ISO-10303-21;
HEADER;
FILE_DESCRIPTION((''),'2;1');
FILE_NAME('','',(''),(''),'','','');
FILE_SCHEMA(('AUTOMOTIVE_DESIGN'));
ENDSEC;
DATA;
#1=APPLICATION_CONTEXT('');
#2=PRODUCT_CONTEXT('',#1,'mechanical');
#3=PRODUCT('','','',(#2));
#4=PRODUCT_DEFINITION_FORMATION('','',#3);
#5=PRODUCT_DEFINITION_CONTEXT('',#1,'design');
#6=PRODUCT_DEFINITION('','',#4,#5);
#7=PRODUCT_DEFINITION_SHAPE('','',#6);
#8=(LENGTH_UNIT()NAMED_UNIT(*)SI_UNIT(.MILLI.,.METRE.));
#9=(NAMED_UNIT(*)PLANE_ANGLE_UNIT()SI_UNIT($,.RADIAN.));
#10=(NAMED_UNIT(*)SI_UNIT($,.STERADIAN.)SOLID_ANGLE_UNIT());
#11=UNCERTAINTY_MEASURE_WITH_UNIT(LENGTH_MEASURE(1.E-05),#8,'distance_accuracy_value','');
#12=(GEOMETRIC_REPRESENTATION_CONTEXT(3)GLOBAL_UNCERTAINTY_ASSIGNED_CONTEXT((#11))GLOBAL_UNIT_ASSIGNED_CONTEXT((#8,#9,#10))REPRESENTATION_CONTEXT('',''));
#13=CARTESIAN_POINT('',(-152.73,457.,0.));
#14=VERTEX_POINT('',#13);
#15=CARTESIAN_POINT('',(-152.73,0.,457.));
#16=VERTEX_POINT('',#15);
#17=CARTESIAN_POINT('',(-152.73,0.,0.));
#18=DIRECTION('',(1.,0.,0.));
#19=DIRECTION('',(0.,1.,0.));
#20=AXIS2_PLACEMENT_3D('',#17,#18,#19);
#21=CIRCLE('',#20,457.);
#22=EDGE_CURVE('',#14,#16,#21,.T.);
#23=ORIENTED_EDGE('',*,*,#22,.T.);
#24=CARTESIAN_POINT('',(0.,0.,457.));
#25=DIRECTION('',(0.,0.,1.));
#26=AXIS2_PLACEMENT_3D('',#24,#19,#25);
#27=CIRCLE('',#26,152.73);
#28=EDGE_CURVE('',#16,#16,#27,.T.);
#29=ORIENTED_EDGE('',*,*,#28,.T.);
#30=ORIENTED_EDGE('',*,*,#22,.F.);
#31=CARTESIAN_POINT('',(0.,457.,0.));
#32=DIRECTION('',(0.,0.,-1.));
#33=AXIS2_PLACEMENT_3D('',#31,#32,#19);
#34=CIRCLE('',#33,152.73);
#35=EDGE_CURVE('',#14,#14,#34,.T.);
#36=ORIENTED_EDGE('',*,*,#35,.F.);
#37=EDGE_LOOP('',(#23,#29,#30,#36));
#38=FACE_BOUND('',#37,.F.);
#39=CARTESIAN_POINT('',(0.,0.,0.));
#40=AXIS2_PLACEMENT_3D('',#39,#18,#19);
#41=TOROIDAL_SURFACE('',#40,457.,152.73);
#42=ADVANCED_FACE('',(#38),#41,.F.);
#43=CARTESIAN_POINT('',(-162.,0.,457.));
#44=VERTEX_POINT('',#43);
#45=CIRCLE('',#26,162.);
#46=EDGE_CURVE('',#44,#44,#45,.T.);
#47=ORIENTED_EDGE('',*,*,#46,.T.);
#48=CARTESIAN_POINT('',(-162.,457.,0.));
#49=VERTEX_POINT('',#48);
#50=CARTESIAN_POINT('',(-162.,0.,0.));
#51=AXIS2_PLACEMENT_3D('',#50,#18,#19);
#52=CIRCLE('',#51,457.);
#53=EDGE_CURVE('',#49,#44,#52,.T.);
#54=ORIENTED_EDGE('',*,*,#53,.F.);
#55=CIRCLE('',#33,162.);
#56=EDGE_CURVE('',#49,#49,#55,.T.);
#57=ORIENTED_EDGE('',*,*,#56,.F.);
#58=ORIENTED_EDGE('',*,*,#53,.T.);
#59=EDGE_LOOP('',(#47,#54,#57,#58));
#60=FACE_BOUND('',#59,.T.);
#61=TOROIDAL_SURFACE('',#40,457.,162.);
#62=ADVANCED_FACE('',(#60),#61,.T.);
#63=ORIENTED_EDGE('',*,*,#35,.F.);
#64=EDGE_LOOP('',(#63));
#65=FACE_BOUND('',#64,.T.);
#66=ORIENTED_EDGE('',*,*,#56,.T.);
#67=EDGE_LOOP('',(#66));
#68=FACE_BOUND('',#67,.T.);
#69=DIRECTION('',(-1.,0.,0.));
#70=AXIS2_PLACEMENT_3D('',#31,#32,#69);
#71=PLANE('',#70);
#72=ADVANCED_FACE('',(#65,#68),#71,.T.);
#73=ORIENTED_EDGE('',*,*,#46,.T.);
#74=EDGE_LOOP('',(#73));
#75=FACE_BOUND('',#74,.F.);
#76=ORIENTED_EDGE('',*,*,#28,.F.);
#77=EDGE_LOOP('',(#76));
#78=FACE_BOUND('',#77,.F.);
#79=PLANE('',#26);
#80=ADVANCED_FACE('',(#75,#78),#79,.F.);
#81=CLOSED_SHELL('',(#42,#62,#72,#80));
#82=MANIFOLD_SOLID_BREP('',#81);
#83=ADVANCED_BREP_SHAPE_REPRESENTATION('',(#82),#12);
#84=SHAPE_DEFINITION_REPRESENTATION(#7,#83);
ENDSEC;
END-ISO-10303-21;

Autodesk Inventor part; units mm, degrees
ref_plane "YZ Plane" through (0, 0, 0) normal (1, 0, 0) x (0, 1, 0)
ref_plane "XZ Plane" through (0, 0, 0) normal (0, 1, 0) x (-1, 0, 0)
ref_plane "XY Plane" through (0, 0, 0) normal (0, 0, 1) x (1, 0, 0)
sketch "Sketch3" plane through (0, 0, 0) normal (0, 1, 0) x (-1, 0, 0)
  circle A0 centre (0, 457) radius 162
  circle A1 centre (0, 457) radius 152.73
  point P0 (0, 228.5)
  point P1 (0, 0)
  dimension "d14" = 324
  dimension "d15" = 9.27
sketch "Sketch2" plane through (0, 0, 0) normal (1, 0, 0) x (0, 1, 0)
  arc A0 (457, 0) -> (0, 457) centre (0, 0) ccw
  dimension "d18" = 457
sweep "Sweep2" add profiles "Sketch3" path "Sketch2"
properties part number "joelho 90 12 inch ANSI B16.9"
